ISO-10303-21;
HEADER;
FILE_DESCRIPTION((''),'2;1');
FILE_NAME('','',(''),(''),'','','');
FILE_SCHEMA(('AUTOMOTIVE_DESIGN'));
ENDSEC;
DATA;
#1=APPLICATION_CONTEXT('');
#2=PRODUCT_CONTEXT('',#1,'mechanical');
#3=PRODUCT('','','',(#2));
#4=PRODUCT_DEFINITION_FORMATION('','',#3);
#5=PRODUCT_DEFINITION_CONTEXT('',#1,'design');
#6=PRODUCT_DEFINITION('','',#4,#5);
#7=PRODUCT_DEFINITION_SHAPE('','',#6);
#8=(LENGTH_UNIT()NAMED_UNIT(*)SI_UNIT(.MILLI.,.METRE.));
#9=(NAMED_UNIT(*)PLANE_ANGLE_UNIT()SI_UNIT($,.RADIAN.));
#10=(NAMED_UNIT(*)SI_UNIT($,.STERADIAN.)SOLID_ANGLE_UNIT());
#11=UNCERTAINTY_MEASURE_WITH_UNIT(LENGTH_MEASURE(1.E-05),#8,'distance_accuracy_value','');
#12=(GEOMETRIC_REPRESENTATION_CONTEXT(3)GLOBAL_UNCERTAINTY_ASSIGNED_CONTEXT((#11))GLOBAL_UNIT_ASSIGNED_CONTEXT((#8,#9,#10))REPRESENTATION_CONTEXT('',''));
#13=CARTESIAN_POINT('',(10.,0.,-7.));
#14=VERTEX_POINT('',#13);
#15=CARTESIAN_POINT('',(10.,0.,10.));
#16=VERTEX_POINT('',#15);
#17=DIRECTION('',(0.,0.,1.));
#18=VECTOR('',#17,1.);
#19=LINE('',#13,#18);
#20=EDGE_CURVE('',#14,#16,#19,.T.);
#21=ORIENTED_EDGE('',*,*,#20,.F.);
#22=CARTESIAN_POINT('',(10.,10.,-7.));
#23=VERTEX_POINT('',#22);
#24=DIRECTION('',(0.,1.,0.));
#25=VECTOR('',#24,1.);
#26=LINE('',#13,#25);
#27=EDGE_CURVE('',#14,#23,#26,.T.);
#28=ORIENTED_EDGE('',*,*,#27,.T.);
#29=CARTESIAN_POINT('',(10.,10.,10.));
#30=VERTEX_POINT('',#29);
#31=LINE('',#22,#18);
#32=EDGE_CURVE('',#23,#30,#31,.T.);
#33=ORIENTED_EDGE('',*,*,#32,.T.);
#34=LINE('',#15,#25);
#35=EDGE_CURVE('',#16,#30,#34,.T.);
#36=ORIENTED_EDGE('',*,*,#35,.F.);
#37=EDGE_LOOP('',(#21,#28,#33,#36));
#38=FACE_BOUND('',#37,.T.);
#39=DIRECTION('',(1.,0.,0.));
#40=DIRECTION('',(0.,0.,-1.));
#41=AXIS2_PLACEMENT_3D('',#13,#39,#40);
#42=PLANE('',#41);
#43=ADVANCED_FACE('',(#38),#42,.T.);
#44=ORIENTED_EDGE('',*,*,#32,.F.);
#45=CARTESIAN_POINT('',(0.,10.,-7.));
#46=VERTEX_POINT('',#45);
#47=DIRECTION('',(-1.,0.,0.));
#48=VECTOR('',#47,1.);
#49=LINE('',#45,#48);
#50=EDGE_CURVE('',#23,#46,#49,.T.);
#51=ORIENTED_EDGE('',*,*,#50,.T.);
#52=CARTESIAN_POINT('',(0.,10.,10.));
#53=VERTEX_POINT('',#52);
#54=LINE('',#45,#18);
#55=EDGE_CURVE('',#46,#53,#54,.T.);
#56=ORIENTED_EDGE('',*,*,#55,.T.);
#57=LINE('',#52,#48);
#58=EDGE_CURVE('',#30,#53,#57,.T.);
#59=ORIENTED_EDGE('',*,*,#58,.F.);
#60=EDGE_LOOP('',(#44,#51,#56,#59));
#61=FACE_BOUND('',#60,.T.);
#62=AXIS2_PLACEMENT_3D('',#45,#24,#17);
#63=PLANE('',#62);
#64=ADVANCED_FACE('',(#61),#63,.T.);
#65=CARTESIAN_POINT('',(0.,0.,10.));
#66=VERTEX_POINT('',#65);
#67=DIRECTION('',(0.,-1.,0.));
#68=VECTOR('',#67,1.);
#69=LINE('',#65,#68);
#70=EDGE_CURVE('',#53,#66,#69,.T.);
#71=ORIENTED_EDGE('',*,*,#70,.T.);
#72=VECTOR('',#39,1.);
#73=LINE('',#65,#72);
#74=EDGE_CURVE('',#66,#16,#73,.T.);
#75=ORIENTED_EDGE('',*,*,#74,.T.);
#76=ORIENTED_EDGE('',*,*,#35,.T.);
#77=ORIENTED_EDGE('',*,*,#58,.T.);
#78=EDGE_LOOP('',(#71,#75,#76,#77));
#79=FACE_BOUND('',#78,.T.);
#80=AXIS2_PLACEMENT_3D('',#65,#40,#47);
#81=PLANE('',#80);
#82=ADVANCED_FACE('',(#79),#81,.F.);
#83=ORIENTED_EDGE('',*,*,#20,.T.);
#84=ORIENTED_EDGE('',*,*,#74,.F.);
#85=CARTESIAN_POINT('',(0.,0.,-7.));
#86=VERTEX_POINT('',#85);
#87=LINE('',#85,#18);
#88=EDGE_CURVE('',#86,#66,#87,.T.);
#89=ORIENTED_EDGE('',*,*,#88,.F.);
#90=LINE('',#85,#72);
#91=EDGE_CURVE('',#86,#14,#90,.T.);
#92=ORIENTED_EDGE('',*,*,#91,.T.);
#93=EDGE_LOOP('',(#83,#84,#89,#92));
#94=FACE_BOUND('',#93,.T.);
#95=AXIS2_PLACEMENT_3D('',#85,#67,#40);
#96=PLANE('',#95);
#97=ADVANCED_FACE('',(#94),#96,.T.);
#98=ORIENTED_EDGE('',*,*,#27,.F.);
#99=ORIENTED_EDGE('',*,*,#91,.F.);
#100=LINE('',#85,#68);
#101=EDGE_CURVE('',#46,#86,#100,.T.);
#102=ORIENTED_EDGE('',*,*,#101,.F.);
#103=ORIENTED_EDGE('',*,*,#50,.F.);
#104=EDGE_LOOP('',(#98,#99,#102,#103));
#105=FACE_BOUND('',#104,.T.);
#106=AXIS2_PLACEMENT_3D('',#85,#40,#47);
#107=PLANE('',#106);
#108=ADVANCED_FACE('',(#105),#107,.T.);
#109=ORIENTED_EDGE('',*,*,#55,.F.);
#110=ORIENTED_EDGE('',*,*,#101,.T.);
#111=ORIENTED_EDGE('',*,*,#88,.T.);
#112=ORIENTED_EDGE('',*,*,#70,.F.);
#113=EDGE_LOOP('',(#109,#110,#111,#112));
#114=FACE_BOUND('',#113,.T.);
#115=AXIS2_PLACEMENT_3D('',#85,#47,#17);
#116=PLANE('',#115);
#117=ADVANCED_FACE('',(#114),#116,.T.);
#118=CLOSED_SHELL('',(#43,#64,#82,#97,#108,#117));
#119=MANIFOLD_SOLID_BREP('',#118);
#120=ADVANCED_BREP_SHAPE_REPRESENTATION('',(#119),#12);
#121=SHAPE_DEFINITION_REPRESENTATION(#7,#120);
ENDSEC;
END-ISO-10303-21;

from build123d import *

# Parameters (mm, degrees)
EXTRUDE_1_DEPTH      = 10
EXTRUDE_1_DEPTH_BACK = 7
SKETCH_1_W           = 10
SKETCH_1_H           = 10


with BuildPart() as part:
    # 草图1 → 凸台-拉伸1 (new, two sides: drawn at the far end of the back side and taken through both)
    with BuildSketch(Plane.XY.offset(-EXTRUDE_1_DEPTH_BACK)):
        with Locations((5, 5)):
            Rectangle(SKETCH_1_W, SKETCH_1_H)
    extrude(amount=EXTRUDE_1_DEPTH + EXTRUDE_1_DEPTH_BACK)


solid = part.part
